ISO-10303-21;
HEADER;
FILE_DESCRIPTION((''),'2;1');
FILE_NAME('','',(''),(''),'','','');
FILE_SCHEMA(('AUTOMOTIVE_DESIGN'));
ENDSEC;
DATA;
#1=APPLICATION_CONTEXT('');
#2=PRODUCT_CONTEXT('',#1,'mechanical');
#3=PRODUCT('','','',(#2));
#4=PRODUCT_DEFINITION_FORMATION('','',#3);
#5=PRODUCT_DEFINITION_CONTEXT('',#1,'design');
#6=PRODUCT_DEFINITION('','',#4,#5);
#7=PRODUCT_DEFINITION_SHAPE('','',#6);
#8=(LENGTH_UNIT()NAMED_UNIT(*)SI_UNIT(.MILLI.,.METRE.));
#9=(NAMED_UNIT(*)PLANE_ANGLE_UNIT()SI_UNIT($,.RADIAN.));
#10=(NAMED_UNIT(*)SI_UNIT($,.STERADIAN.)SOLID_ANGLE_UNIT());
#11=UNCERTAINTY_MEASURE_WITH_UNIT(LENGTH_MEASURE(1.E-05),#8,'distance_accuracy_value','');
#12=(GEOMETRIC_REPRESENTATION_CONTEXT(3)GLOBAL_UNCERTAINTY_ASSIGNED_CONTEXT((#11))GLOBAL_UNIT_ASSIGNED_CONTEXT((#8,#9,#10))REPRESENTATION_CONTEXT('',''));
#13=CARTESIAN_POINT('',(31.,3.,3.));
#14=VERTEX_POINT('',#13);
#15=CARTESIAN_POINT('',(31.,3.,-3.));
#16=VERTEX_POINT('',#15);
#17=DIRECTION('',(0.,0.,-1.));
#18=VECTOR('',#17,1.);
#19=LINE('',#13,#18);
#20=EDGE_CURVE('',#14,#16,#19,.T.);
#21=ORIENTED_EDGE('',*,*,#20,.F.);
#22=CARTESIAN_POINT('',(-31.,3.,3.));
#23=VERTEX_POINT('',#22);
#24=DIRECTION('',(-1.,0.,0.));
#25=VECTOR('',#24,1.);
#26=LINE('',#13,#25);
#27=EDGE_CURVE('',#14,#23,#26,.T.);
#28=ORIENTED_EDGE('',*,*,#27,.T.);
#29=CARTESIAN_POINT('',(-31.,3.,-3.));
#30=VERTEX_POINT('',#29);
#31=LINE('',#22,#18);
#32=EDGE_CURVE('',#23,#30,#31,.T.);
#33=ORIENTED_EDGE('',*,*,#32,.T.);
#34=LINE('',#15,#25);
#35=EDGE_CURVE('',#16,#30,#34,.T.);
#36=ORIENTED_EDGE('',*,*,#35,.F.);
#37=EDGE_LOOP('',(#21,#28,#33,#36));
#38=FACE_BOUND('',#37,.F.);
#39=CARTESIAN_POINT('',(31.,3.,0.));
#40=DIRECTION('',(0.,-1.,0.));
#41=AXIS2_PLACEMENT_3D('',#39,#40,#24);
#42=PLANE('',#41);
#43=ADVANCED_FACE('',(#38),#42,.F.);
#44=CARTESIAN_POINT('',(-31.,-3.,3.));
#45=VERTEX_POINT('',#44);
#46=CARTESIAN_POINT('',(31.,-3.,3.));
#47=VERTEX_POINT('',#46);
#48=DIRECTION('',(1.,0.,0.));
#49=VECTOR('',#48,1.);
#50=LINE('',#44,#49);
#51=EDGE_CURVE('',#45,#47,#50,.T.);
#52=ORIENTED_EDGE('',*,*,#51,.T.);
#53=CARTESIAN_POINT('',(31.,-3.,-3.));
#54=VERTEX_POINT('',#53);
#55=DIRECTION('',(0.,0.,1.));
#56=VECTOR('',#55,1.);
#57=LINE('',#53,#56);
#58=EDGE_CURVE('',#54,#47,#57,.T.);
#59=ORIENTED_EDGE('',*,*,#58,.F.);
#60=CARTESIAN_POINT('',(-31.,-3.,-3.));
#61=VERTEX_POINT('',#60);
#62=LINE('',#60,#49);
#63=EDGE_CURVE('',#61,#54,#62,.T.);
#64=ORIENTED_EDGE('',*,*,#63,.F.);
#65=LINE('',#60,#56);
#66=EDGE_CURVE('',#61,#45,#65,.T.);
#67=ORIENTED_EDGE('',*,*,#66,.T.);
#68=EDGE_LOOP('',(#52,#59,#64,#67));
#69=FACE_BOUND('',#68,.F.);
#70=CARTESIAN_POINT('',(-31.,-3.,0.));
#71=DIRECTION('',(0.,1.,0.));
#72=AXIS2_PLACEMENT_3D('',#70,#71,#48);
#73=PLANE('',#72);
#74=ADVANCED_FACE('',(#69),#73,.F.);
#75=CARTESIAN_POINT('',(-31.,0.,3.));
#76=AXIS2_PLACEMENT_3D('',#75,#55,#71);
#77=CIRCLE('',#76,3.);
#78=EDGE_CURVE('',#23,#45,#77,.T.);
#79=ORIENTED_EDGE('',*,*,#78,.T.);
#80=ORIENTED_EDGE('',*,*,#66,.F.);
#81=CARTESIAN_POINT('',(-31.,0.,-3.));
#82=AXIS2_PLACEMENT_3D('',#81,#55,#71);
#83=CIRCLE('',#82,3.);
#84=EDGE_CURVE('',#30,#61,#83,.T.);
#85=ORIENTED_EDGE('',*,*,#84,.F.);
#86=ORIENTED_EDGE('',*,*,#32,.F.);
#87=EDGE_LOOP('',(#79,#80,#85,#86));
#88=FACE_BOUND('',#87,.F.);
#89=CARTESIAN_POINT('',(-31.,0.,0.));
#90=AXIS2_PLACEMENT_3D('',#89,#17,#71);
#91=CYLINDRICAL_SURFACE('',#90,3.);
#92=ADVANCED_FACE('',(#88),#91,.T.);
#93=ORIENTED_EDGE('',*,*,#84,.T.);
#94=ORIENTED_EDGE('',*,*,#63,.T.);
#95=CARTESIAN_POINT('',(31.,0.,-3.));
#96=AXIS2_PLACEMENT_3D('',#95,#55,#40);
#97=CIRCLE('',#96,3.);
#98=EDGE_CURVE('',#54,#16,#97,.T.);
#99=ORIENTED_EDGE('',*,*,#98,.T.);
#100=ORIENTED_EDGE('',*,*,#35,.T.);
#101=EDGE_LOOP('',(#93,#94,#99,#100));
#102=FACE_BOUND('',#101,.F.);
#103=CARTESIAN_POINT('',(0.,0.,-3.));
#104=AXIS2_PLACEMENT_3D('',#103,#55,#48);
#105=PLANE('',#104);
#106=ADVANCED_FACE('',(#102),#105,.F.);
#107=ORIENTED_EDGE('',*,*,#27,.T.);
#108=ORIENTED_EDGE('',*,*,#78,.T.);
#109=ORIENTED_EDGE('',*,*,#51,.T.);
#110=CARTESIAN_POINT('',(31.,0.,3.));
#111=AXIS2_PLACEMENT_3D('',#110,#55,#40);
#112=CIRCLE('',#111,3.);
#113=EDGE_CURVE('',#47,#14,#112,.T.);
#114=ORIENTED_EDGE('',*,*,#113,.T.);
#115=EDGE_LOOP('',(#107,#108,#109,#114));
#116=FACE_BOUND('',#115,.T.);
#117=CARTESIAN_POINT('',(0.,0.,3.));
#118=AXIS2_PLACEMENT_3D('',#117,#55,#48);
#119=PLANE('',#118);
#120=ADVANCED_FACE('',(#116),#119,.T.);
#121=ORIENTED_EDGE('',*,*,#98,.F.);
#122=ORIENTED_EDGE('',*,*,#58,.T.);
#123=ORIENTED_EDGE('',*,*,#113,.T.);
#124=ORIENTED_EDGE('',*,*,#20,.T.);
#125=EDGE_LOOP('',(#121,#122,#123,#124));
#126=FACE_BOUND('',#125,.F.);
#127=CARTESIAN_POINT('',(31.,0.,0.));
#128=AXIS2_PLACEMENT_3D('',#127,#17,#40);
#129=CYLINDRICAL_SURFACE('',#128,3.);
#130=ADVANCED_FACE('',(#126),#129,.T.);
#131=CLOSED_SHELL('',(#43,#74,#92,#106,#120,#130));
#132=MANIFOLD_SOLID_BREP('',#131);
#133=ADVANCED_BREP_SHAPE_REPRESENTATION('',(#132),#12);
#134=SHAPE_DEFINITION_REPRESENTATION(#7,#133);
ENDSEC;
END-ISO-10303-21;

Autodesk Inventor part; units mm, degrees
ref_plane "YZ Plane" through (0, 0, 0) normal (1, 0, 0) x (0, 1, 0)
ref_plane "XZ Plane" through (0, 0, 0) normal (0, 1, 0) x (-1, 0, 0)
ref_plane "XY Plane" through (0, 0, 0) normal (0, 0, 1) x (1, 0, 0)
sketch "스케치9" plane through (0, 0, 0) normal (0, 0, 1) x (1, 0, 0)
  line L0 (-31, 0) -> (31, 0) construction
  line L1 (-31, -3) -> (31, -3)
  line L2 (31, 3) -> (-31, 3)
  arc A0 (-31, 3) -> (-31, -3) centre (-31, 0) ccw
  arc A1 (31, -3) -> (31, 3) centre (31, 0) ccw
  point P0 (0, 0)
  point P1 (34, 0)
  point P2 (-34, 0)
  dimension "d40" = 6
  dimension "d41" = 68
extrude "돌출4" add sketch "스케치9" along normal mid plane 6
properties part number "KEY" material "SCM435"
